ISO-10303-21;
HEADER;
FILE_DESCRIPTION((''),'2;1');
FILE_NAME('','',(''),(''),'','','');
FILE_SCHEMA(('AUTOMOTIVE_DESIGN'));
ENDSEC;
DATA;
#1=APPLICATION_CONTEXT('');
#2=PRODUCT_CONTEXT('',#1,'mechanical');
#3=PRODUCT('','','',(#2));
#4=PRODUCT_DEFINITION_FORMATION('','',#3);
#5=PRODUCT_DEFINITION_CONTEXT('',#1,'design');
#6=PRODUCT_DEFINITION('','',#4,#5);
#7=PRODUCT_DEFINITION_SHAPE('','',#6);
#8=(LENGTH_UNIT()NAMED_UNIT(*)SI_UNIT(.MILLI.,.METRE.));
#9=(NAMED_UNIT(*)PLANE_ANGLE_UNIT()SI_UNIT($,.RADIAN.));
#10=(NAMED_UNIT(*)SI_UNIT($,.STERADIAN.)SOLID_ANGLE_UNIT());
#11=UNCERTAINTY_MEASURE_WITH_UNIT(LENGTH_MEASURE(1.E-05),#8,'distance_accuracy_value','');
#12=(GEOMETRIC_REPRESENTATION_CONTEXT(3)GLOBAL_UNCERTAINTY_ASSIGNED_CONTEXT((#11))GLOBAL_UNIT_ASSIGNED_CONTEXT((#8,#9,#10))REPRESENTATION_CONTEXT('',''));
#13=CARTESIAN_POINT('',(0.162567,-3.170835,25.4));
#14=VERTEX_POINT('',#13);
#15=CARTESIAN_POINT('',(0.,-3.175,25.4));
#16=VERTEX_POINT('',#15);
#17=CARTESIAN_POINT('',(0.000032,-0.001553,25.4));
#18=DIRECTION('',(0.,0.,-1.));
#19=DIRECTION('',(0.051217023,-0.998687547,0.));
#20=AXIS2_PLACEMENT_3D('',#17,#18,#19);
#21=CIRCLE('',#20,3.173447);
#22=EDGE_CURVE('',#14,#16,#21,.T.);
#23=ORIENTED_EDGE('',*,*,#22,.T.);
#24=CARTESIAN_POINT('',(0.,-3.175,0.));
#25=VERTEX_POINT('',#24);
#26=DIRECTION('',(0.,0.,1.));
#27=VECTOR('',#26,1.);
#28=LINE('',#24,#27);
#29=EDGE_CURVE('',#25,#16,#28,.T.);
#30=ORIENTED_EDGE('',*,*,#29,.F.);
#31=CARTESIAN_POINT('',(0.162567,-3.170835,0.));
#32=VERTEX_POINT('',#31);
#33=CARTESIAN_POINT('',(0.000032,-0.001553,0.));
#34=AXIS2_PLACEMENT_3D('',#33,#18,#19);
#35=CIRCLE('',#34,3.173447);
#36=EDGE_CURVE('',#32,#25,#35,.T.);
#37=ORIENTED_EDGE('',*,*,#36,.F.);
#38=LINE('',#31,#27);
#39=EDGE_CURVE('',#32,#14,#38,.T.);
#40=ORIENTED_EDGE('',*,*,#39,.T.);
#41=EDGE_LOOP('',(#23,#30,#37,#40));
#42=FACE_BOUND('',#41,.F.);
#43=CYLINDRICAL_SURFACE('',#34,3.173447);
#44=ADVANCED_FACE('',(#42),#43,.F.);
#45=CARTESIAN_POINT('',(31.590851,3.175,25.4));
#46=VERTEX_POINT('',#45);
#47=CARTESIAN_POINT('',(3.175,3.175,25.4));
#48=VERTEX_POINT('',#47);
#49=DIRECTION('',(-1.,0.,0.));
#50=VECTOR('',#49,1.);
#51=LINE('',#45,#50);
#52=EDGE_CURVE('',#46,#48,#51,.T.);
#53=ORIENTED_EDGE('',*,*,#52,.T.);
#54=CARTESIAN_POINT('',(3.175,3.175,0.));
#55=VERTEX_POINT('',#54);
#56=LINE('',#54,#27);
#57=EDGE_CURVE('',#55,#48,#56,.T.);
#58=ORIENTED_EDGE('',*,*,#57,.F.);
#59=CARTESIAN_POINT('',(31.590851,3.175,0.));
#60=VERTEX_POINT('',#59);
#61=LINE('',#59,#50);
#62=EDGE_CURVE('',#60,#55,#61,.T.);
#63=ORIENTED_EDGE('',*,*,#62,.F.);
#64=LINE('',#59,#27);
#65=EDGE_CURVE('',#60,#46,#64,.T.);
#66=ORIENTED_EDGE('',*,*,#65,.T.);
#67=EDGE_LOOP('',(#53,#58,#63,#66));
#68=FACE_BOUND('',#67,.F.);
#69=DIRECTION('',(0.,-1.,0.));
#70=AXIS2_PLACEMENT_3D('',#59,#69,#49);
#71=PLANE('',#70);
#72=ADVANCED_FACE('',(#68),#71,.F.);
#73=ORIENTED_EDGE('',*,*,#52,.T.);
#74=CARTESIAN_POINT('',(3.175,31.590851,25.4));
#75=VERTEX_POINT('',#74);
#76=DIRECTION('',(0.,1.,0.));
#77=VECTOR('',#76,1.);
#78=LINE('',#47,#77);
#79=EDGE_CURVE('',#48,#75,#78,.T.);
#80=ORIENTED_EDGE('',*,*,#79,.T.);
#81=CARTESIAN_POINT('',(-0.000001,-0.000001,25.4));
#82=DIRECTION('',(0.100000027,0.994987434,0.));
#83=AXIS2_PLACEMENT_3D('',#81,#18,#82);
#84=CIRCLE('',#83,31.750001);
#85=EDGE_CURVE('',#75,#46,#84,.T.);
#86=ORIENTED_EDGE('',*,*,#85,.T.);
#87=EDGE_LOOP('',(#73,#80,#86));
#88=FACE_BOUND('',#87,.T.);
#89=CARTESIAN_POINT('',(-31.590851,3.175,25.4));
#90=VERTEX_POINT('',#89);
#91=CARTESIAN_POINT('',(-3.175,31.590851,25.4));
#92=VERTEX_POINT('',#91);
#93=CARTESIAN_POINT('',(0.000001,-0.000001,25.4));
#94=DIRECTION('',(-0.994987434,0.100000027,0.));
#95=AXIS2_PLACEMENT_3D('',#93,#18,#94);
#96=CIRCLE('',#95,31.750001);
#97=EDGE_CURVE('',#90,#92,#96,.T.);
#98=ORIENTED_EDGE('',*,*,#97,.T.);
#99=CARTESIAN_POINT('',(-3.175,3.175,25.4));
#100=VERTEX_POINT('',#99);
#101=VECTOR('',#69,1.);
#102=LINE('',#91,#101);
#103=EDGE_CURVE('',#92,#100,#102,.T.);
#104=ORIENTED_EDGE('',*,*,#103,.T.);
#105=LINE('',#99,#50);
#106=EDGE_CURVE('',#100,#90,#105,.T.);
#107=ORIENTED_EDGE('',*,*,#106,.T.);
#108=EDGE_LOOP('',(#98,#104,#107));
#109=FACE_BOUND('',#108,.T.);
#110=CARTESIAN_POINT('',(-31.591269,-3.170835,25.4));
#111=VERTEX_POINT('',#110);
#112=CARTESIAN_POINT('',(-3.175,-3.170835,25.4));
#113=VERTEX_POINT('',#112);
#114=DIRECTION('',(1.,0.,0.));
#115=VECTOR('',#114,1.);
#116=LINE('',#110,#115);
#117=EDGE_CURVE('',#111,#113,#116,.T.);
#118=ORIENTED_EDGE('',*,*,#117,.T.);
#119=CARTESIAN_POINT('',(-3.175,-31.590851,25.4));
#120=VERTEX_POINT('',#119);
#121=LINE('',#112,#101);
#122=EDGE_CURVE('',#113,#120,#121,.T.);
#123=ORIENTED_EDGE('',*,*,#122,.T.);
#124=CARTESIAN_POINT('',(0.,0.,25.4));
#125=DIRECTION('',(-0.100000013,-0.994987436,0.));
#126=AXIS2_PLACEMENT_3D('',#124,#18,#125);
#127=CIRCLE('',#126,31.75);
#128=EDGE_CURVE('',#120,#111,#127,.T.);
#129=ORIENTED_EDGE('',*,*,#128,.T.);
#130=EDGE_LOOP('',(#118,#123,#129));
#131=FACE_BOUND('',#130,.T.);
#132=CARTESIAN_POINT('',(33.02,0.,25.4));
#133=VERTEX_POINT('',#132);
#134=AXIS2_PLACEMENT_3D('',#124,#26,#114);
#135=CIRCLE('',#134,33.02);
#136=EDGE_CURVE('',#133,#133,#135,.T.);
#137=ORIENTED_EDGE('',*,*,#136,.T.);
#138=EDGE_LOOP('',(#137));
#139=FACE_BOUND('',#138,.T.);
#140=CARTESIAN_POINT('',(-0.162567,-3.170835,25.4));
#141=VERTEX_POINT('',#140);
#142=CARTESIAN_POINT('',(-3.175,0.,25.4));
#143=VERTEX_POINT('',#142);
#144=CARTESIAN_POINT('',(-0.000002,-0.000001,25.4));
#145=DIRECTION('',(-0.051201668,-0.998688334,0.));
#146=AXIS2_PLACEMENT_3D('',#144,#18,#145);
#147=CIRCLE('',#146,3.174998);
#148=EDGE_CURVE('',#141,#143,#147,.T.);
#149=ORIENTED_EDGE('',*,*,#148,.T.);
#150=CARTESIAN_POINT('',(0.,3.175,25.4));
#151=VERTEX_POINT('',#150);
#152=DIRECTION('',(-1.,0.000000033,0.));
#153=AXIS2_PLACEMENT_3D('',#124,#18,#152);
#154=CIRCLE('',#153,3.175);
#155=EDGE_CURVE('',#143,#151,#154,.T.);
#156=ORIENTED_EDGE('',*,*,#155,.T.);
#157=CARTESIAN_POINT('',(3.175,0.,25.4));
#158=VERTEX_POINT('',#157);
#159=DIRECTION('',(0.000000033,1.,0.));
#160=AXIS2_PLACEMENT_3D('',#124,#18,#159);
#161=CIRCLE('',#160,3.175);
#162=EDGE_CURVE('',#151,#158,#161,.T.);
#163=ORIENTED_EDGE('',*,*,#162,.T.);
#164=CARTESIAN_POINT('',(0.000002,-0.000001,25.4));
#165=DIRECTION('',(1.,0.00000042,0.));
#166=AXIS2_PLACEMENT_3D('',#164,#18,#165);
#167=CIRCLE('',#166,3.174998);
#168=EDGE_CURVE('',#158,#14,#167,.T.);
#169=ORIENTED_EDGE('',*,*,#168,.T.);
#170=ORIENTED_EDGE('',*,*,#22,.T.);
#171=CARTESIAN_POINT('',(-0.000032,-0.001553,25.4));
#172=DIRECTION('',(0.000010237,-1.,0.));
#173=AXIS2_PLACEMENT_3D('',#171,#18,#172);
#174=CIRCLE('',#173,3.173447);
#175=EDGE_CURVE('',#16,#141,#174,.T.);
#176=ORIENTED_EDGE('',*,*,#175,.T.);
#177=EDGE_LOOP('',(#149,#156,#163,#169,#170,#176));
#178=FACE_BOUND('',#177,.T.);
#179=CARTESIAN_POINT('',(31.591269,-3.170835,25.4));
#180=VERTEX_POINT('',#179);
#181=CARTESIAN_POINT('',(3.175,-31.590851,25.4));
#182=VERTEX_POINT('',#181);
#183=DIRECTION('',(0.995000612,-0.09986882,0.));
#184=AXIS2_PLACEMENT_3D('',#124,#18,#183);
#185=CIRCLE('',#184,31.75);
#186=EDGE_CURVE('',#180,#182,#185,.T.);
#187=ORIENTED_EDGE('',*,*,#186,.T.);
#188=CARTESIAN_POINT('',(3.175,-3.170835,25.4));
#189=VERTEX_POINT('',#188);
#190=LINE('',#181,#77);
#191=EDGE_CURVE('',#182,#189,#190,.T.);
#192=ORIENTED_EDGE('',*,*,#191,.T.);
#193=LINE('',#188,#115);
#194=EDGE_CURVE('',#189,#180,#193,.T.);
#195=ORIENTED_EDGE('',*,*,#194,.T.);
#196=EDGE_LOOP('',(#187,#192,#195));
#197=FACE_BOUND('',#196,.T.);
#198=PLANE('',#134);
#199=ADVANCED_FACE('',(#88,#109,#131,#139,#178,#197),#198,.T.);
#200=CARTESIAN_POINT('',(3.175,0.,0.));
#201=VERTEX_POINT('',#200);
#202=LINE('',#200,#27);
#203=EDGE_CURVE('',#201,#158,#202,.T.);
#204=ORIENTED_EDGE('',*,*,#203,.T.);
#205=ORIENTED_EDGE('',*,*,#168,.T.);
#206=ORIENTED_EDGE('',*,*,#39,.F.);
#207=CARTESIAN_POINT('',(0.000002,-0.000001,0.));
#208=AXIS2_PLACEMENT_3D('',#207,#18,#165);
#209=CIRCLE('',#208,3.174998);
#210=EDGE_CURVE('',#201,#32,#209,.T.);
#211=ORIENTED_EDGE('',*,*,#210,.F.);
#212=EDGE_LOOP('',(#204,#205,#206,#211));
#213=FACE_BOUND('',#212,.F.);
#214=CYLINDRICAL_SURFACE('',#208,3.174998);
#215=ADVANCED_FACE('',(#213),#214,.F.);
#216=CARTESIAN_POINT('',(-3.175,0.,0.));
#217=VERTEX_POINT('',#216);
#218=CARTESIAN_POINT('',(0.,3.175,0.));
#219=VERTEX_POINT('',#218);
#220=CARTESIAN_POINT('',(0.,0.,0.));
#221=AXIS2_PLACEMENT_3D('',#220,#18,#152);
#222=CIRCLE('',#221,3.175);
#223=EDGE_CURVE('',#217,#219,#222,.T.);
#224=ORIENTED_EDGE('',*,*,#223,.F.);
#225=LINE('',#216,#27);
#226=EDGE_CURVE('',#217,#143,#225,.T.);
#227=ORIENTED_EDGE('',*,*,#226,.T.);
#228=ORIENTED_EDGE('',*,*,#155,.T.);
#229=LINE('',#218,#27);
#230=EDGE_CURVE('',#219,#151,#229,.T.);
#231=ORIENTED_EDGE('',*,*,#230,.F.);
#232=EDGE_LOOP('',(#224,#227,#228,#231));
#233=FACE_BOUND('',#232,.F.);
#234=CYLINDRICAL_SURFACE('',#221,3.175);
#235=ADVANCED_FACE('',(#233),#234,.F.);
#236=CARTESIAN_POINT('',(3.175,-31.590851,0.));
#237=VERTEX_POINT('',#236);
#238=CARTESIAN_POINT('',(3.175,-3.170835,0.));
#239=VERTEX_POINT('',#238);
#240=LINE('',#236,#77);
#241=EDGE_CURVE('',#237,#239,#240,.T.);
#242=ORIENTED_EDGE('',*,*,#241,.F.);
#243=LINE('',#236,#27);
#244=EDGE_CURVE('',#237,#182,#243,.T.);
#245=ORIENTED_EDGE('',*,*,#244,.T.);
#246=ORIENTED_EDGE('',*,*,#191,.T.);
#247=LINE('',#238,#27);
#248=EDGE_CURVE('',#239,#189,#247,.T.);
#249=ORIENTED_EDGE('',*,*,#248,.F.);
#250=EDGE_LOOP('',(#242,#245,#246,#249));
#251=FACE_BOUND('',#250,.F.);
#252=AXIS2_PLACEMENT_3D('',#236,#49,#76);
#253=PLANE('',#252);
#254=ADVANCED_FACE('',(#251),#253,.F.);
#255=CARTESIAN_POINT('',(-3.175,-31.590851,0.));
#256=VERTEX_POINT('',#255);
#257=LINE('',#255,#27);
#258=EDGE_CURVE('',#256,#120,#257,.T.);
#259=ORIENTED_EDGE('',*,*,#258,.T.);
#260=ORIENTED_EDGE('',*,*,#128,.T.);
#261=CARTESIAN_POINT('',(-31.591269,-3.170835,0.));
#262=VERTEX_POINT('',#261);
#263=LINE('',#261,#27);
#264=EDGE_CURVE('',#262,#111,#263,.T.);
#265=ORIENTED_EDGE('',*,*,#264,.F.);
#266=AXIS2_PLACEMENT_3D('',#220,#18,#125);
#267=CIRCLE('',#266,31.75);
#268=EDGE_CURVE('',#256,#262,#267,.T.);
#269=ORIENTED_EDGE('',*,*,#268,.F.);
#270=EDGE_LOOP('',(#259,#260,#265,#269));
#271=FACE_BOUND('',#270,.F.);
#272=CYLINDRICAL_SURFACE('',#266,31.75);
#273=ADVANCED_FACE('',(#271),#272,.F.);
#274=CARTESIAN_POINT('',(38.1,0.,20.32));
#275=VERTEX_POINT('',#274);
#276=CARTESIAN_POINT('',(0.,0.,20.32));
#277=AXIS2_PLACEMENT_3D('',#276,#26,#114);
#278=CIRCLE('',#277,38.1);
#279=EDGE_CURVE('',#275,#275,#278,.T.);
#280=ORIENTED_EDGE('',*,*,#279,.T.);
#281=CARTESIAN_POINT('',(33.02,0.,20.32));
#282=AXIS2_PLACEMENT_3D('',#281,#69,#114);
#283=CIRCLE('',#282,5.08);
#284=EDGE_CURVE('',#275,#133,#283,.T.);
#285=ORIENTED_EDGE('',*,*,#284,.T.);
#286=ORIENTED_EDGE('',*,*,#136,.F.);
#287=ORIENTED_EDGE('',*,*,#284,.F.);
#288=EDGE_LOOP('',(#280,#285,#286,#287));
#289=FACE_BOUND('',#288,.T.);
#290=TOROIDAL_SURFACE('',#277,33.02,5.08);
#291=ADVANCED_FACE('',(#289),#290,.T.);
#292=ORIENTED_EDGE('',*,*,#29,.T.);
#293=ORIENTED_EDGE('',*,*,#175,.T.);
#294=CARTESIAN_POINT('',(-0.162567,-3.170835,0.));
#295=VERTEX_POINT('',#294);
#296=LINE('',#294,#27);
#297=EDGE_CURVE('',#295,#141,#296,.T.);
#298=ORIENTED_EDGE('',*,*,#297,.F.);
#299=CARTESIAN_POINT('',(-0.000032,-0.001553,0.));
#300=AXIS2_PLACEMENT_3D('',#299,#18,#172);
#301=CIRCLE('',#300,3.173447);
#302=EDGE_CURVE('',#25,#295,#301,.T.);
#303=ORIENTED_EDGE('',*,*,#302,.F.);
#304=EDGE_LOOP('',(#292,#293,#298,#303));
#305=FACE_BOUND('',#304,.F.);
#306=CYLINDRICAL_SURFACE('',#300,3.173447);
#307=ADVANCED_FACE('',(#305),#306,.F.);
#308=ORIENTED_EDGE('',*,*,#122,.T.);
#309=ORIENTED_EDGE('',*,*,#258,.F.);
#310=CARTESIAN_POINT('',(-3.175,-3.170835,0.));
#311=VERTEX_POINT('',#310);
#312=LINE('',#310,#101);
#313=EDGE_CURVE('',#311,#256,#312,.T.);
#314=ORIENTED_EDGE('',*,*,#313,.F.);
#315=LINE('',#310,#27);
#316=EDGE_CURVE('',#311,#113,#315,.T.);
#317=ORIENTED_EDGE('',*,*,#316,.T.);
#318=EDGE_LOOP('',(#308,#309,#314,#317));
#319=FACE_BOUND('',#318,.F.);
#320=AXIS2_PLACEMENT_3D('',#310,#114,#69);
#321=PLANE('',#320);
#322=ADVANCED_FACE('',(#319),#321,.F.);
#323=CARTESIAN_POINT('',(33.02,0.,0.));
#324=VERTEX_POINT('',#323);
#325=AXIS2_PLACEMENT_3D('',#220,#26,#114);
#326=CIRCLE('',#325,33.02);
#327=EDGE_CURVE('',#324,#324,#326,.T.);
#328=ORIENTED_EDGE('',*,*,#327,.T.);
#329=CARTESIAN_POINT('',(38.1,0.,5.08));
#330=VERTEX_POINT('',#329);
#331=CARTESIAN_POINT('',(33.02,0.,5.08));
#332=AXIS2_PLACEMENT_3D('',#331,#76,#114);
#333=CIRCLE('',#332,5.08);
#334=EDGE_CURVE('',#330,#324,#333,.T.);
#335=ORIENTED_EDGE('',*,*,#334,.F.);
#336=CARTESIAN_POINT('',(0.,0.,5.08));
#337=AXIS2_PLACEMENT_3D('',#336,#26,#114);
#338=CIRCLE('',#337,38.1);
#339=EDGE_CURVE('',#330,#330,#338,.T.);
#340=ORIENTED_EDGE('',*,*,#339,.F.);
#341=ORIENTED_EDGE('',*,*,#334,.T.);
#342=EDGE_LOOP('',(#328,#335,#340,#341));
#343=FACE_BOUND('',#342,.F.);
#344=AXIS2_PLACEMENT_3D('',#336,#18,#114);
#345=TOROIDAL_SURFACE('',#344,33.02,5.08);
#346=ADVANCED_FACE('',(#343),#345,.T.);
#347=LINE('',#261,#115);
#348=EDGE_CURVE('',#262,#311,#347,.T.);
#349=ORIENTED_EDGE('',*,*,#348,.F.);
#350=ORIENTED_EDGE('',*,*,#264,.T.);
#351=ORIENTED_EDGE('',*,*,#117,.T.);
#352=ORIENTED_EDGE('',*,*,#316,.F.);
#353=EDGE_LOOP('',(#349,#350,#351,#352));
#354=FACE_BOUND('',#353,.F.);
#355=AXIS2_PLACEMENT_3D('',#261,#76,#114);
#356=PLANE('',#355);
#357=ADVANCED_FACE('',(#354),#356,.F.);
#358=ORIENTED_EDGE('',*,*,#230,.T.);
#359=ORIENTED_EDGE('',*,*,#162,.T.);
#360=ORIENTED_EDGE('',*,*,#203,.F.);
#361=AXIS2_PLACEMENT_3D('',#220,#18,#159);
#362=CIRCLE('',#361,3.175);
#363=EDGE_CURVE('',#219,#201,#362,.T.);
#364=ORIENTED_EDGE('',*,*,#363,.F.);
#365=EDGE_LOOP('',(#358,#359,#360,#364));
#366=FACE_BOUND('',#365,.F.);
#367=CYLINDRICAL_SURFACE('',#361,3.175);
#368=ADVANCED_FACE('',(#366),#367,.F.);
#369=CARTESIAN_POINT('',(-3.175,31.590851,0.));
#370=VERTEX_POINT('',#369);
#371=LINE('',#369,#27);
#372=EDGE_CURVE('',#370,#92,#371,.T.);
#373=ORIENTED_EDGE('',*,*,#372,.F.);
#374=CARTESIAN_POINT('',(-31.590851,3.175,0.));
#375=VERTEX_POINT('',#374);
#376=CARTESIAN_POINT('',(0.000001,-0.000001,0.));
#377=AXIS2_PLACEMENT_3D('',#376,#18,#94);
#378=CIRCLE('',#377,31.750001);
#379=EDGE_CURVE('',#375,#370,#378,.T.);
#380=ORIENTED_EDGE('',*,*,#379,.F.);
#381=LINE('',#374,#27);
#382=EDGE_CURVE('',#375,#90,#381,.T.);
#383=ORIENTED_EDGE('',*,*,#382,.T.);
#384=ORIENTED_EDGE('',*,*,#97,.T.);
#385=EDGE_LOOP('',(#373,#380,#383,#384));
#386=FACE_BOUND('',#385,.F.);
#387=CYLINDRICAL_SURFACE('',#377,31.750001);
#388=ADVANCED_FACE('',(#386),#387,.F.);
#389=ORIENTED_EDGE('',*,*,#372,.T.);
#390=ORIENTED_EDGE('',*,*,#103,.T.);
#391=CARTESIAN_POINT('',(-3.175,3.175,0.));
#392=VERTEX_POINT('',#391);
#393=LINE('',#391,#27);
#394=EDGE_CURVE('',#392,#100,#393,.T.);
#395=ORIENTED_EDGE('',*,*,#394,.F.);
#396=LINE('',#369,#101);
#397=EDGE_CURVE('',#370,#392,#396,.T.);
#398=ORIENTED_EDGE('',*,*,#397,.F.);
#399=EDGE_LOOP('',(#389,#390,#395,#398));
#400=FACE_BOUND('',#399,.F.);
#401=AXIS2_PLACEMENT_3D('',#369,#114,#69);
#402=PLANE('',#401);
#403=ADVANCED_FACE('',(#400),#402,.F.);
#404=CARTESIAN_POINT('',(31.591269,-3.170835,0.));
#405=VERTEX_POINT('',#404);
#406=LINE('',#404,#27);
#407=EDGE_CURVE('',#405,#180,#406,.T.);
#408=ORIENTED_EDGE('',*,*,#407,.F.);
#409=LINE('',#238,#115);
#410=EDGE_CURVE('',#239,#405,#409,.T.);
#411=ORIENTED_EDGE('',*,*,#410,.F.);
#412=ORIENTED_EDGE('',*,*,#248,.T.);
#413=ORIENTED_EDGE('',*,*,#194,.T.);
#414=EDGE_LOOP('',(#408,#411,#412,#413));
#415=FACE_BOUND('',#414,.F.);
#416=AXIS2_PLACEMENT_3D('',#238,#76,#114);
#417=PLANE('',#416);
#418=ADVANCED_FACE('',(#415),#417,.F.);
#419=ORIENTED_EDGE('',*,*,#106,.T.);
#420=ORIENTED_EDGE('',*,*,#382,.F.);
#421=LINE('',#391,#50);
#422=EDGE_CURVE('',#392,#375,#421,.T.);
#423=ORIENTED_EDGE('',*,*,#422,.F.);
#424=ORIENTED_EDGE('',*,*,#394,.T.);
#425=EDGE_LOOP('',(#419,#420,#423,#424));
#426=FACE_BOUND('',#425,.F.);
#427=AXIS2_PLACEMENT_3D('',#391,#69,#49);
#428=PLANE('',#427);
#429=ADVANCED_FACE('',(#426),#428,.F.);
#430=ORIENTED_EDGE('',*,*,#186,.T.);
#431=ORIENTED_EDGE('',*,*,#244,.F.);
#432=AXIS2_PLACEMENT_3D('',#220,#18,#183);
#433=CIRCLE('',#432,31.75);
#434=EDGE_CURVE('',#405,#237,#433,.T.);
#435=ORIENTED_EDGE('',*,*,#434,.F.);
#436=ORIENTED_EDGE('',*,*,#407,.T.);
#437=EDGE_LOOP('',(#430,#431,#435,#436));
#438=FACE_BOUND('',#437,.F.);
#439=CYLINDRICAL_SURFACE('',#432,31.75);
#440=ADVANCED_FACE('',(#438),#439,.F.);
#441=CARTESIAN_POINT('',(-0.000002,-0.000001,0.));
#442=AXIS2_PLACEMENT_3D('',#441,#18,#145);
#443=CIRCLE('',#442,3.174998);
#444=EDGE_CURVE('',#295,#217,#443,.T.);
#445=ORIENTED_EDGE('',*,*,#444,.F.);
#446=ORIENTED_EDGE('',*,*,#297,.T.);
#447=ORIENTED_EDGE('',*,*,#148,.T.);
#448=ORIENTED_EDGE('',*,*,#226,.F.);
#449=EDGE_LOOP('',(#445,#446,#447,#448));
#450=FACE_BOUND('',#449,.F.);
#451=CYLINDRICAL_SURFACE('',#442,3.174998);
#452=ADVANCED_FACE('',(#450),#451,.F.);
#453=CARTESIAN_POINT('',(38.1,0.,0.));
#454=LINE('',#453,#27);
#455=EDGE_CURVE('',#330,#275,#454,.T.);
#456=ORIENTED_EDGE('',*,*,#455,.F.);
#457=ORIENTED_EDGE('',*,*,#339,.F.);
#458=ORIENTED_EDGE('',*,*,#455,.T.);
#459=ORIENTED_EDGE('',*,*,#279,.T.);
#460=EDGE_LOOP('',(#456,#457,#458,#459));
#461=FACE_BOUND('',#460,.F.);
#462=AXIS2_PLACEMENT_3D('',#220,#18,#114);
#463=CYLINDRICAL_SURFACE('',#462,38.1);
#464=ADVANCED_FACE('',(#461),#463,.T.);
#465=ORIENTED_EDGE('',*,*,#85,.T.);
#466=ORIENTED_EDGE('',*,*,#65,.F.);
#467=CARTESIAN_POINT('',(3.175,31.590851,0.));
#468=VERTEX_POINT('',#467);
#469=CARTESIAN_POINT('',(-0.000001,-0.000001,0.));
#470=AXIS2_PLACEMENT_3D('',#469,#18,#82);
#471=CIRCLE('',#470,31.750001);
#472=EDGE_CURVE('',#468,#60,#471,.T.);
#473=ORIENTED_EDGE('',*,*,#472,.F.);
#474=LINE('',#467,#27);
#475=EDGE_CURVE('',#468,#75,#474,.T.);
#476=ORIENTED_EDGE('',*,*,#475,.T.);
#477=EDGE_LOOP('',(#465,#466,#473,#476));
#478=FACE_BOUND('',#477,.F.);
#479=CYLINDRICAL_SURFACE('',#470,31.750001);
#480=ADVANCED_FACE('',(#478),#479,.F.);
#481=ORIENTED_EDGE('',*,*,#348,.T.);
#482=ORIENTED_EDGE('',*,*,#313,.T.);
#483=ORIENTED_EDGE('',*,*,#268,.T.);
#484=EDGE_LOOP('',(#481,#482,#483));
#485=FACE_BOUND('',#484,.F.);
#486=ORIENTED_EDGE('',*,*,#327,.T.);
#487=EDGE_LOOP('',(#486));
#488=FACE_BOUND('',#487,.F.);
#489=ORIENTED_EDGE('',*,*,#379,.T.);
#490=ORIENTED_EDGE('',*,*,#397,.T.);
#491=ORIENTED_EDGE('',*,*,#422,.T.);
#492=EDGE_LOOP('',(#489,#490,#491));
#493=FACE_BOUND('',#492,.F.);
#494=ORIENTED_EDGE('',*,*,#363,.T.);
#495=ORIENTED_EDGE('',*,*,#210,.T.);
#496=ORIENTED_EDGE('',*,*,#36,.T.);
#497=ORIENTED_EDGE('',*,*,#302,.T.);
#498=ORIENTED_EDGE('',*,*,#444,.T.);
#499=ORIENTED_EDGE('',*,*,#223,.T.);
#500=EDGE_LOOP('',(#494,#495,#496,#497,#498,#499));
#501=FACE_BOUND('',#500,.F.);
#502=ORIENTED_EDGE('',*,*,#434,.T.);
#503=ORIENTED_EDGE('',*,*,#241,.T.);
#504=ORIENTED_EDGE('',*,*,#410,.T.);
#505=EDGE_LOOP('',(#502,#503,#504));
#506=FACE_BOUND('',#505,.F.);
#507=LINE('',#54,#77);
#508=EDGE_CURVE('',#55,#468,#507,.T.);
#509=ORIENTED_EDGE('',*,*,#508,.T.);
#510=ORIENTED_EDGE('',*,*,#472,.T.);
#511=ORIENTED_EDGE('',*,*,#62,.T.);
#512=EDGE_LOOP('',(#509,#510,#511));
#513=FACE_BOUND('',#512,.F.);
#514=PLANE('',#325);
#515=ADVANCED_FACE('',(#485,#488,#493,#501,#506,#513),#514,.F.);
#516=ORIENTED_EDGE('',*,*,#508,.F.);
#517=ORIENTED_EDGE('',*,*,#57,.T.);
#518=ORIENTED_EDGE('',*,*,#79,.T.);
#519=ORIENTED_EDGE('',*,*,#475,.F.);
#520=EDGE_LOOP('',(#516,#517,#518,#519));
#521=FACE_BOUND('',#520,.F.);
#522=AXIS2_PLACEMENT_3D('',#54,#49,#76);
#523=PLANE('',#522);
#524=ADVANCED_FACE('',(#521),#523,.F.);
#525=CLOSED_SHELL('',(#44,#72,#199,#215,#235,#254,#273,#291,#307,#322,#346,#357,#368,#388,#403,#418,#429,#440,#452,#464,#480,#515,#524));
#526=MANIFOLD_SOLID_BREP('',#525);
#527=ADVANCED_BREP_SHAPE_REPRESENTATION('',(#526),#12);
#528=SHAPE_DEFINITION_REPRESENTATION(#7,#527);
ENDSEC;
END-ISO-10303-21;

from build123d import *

# Parameters (mm, degrees)
F0_R     = 38.1
F1_DEPTH = 25.4
F2_R     = 5.08


with BuildPart() as f1:
    # F0 (on Top) → F1 (new body)
    with BuildSketch(Plane.XY):
        Circle(F0_R)
        with BuildLine():
            ThreePointArc((-3.175, -31.590851), (-22.45212, -22.44916), (-31.591269, -3.170835))
            Line((-31.591269, -3.170835), (-3.175, -3.170835))
            Line((-3.175, -3.170835), (-3.175, -31.590851))
        make_face(mode=Mode.SUBTRACT)
        with BuildLine():
            Line((3.175, -31.590851), (3.175, -3.170835))
            Line((3.175, -3.170835), (31.591269, -3.170835))
            ThreePointArc((31.591269, -3.170835), (22.45212, -22.44916), (3.175, -31.590851))
        make_face(mode=Mode.SUBTRACT)
        with BuildLine():
            Line((-3.175, 31.590851), (-3.175, 3.175))
            Line((-3.175, 3.175), (-31.590851, 3.175))
            ThreePointArc((-31.590851, 3.175), (-22.45064, 22.45064), (-3.175, 31.590851))
        make_face(mode=Mode.SUBTRACT)
        with BuildLine():
            ThreePointArc((0, 3.175), (2.245064, 2.245064), (3.175, 0))
            ThreePointArc((3.175, 0), (2.301823, -2.186833), (0.162567, -3.170835))
            ThreePointArc((0.162567, -3.170835), (0.08131, -3.173959), (0, -3.175))
            ThreePointArc((0, -3.175), (-0.08131, -3.173959), (-0.162567, -3.170835))
            ThreePointArc((-0.162567, -3.170835), (-2.301823, -2.186833), (-3.175, 0))
            ThreePointArc((-3.175, 0), (-2.245064, 2.245064), (0, 3.175))
        make_face(mode=Mode.SUBTRACT)
        with BuildLine():
            Line((31.590851, 3.175), (3.175, 3.175))
            Line((3.175, 3.175), (3.175, 31.590851))
            ThreePointArc((3.175, 31.590851), (22.45064, 22.45064), (31.590851, 3.175))
        make_face(mode=Mode.SUBTRACT)
    extrude(amount=F1_DEPTH)

    # F2
    f2_edges = [f1.edges().sort_by_distance(p)[0] for p in [
        (-38.1, 0, 0),
        (38.1, 0, 12.7),
        (-38.1, 0, 25.4),
    ]]
    fillet(f2_edges, radius=F2_R)


solid = f1.part
